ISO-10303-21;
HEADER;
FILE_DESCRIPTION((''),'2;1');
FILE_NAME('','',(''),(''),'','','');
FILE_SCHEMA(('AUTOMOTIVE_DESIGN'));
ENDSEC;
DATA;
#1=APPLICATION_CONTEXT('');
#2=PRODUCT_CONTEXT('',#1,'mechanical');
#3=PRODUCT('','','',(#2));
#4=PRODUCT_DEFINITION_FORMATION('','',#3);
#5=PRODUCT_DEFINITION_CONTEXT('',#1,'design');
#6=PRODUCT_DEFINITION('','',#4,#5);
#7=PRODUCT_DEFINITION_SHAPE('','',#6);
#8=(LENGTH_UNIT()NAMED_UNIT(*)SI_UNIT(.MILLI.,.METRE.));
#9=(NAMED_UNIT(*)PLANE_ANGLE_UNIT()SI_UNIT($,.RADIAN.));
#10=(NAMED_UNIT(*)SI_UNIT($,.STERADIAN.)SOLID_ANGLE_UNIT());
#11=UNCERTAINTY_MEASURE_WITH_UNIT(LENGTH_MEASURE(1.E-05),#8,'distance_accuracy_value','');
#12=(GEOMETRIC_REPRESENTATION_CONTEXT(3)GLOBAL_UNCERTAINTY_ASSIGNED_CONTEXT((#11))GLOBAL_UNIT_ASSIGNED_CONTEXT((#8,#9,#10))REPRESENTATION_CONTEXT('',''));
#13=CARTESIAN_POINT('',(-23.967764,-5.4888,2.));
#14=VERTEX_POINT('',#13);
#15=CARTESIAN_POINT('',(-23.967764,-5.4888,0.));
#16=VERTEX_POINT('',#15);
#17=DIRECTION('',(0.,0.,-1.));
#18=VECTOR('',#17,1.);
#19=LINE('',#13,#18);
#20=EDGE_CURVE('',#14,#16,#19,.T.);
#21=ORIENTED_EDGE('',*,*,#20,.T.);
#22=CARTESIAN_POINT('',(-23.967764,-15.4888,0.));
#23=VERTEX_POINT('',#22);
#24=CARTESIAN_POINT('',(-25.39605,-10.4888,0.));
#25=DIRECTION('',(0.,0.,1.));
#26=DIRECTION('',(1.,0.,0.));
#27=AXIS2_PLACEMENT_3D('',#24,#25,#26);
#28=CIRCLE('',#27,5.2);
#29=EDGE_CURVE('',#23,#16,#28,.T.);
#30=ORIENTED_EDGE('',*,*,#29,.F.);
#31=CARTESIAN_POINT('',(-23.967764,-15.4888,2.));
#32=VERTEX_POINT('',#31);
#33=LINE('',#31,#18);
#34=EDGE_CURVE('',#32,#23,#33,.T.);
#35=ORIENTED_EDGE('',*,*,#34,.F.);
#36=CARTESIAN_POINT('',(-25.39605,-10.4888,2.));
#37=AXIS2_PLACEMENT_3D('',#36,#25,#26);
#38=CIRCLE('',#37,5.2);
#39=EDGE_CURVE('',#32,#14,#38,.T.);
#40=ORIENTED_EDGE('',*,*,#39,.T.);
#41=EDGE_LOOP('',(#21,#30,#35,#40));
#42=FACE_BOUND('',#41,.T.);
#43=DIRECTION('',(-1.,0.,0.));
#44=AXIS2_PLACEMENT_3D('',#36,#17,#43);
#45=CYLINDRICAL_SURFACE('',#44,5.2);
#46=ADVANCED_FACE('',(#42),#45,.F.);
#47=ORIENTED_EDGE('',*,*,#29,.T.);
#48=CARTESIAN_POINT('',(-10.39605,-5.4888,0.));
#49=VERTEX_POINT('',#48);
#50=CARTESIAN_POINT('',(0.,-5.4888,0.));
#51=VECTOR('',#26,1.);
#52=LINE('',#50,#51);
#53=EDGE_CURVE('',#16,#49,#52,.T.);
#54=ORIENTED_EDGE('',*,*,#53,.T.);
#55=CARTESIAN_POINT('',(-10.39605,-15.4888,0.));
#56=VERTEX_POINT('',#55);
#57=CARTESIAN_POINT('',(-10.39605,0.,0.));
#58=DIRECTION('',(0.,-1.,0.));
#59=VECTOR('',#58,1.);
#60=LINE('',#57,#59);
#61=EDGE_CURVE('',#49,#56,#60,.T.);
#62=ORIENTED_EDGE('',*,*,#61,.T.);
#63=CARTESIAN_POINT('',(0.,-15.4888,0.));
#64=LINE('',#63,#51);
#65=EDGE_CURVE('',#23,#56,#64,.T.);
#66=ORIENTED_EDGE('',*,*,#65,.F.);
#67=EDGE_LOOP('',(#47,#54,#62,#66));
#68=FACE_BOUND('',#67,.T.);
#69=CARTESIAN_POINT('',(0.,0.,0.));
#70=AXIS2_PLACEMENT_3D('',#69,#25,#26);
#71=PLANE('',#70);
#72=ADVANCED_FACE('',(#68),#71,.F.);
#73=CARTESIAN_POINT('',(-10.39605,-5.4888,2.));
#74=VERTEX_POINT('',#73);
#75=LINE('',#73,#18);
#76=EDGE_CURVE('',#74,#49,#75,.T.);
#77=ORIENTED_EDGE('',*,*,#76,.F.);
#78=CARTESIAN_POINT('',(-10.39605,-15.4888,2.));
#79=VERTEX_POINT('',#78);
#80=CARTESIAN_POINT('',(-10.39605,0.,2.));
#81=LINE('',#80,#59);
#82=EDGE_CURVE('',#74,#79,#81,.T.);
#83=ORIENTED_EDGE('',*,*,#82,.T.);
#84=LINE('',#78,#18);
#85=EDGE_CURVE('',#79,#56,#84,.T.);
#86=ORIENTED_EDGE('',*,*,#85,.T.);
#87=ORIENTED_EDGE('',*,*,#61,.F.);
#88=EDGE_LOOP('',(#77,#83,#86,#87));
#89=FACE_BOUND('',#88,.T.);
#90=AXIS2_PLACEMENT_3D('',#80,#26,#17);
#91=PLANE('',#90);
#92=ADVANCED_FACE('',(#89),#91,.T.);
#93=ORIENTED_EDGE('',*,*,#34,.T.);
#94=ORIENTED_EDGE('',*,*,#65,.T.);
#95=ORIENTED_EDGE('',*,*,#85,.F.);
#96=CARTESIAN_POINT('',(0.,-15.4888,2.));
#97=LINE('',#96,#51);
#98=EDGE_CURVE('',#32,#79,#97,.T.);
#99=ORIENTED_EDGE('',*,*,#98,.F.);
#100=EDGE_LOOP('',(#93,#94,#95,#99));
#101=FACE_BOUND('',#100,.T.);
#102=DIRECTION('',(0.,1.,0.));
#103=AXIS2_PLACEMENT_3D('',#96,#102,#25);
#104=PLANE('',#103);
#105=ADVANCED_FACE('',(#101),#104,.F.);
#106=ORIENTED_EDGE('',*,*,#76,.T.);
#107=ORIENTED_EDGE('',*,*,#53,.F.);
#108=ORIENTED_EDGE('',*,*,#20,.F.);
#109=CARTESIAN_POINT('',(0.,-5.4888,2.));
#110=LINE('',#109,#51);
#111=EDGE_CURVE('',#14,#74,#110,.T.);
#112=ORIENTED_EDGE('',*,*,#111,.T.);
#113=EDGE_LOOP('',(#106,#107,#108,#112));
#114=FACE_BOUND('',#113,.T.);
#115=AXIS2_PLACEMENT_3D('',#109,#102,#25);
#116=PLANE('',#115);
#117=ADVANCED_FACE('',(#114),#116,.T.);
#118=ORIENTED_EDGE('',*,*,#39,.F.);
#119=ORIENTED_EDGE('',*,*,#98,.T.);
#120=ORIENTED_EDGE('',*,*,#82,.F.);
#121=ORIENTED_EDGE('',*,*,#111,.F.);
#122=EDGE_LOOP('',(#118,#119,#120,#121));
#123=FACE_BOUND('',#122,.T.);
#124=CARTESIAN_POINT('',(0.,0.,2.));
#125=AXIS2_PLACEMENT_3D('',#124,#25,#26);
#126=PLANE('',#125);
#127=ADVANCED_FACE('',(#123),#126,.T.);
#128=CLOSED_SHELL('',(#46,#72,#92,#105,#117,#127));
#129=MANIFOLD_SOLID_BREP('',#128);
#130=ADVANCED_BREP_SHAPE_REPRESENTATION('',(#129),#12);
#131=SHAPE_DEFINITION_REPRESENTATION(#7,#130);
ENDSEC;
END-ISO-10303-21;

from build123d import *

# Parameters (mm, degrees)
BOSS_EXTRUDE1_DEPTH = 2


with BuildPart() as part:
    # Sketch1 → Boss-Extrude1 (new body)
    with BuildSketch(Plane.XY):
        with BuildLine():
            Line((-10.396049823, -5.488799617), (-23.967764137, -5.488799617))
            ThreePointArc((-23.967764137, -5.488799617), (-21.24471958, -7.357273277), (-20.196049823, -10.488799617))
            ThreePointArc((-20.196049823, -10.488799617), (-21.24471958, -13.620325957), (-23.967764137, -15.488799617))
            Line((-23.967764137, -15.488799617), (-10.396049823, -15.488799617))
            Line((-10.396049823, -15.488799617), (-10.396049823, -5.488799617))
        make_face()
    extrude(amount=BOSS_EXTRUDE1_DEPTH)


solid = part.part
